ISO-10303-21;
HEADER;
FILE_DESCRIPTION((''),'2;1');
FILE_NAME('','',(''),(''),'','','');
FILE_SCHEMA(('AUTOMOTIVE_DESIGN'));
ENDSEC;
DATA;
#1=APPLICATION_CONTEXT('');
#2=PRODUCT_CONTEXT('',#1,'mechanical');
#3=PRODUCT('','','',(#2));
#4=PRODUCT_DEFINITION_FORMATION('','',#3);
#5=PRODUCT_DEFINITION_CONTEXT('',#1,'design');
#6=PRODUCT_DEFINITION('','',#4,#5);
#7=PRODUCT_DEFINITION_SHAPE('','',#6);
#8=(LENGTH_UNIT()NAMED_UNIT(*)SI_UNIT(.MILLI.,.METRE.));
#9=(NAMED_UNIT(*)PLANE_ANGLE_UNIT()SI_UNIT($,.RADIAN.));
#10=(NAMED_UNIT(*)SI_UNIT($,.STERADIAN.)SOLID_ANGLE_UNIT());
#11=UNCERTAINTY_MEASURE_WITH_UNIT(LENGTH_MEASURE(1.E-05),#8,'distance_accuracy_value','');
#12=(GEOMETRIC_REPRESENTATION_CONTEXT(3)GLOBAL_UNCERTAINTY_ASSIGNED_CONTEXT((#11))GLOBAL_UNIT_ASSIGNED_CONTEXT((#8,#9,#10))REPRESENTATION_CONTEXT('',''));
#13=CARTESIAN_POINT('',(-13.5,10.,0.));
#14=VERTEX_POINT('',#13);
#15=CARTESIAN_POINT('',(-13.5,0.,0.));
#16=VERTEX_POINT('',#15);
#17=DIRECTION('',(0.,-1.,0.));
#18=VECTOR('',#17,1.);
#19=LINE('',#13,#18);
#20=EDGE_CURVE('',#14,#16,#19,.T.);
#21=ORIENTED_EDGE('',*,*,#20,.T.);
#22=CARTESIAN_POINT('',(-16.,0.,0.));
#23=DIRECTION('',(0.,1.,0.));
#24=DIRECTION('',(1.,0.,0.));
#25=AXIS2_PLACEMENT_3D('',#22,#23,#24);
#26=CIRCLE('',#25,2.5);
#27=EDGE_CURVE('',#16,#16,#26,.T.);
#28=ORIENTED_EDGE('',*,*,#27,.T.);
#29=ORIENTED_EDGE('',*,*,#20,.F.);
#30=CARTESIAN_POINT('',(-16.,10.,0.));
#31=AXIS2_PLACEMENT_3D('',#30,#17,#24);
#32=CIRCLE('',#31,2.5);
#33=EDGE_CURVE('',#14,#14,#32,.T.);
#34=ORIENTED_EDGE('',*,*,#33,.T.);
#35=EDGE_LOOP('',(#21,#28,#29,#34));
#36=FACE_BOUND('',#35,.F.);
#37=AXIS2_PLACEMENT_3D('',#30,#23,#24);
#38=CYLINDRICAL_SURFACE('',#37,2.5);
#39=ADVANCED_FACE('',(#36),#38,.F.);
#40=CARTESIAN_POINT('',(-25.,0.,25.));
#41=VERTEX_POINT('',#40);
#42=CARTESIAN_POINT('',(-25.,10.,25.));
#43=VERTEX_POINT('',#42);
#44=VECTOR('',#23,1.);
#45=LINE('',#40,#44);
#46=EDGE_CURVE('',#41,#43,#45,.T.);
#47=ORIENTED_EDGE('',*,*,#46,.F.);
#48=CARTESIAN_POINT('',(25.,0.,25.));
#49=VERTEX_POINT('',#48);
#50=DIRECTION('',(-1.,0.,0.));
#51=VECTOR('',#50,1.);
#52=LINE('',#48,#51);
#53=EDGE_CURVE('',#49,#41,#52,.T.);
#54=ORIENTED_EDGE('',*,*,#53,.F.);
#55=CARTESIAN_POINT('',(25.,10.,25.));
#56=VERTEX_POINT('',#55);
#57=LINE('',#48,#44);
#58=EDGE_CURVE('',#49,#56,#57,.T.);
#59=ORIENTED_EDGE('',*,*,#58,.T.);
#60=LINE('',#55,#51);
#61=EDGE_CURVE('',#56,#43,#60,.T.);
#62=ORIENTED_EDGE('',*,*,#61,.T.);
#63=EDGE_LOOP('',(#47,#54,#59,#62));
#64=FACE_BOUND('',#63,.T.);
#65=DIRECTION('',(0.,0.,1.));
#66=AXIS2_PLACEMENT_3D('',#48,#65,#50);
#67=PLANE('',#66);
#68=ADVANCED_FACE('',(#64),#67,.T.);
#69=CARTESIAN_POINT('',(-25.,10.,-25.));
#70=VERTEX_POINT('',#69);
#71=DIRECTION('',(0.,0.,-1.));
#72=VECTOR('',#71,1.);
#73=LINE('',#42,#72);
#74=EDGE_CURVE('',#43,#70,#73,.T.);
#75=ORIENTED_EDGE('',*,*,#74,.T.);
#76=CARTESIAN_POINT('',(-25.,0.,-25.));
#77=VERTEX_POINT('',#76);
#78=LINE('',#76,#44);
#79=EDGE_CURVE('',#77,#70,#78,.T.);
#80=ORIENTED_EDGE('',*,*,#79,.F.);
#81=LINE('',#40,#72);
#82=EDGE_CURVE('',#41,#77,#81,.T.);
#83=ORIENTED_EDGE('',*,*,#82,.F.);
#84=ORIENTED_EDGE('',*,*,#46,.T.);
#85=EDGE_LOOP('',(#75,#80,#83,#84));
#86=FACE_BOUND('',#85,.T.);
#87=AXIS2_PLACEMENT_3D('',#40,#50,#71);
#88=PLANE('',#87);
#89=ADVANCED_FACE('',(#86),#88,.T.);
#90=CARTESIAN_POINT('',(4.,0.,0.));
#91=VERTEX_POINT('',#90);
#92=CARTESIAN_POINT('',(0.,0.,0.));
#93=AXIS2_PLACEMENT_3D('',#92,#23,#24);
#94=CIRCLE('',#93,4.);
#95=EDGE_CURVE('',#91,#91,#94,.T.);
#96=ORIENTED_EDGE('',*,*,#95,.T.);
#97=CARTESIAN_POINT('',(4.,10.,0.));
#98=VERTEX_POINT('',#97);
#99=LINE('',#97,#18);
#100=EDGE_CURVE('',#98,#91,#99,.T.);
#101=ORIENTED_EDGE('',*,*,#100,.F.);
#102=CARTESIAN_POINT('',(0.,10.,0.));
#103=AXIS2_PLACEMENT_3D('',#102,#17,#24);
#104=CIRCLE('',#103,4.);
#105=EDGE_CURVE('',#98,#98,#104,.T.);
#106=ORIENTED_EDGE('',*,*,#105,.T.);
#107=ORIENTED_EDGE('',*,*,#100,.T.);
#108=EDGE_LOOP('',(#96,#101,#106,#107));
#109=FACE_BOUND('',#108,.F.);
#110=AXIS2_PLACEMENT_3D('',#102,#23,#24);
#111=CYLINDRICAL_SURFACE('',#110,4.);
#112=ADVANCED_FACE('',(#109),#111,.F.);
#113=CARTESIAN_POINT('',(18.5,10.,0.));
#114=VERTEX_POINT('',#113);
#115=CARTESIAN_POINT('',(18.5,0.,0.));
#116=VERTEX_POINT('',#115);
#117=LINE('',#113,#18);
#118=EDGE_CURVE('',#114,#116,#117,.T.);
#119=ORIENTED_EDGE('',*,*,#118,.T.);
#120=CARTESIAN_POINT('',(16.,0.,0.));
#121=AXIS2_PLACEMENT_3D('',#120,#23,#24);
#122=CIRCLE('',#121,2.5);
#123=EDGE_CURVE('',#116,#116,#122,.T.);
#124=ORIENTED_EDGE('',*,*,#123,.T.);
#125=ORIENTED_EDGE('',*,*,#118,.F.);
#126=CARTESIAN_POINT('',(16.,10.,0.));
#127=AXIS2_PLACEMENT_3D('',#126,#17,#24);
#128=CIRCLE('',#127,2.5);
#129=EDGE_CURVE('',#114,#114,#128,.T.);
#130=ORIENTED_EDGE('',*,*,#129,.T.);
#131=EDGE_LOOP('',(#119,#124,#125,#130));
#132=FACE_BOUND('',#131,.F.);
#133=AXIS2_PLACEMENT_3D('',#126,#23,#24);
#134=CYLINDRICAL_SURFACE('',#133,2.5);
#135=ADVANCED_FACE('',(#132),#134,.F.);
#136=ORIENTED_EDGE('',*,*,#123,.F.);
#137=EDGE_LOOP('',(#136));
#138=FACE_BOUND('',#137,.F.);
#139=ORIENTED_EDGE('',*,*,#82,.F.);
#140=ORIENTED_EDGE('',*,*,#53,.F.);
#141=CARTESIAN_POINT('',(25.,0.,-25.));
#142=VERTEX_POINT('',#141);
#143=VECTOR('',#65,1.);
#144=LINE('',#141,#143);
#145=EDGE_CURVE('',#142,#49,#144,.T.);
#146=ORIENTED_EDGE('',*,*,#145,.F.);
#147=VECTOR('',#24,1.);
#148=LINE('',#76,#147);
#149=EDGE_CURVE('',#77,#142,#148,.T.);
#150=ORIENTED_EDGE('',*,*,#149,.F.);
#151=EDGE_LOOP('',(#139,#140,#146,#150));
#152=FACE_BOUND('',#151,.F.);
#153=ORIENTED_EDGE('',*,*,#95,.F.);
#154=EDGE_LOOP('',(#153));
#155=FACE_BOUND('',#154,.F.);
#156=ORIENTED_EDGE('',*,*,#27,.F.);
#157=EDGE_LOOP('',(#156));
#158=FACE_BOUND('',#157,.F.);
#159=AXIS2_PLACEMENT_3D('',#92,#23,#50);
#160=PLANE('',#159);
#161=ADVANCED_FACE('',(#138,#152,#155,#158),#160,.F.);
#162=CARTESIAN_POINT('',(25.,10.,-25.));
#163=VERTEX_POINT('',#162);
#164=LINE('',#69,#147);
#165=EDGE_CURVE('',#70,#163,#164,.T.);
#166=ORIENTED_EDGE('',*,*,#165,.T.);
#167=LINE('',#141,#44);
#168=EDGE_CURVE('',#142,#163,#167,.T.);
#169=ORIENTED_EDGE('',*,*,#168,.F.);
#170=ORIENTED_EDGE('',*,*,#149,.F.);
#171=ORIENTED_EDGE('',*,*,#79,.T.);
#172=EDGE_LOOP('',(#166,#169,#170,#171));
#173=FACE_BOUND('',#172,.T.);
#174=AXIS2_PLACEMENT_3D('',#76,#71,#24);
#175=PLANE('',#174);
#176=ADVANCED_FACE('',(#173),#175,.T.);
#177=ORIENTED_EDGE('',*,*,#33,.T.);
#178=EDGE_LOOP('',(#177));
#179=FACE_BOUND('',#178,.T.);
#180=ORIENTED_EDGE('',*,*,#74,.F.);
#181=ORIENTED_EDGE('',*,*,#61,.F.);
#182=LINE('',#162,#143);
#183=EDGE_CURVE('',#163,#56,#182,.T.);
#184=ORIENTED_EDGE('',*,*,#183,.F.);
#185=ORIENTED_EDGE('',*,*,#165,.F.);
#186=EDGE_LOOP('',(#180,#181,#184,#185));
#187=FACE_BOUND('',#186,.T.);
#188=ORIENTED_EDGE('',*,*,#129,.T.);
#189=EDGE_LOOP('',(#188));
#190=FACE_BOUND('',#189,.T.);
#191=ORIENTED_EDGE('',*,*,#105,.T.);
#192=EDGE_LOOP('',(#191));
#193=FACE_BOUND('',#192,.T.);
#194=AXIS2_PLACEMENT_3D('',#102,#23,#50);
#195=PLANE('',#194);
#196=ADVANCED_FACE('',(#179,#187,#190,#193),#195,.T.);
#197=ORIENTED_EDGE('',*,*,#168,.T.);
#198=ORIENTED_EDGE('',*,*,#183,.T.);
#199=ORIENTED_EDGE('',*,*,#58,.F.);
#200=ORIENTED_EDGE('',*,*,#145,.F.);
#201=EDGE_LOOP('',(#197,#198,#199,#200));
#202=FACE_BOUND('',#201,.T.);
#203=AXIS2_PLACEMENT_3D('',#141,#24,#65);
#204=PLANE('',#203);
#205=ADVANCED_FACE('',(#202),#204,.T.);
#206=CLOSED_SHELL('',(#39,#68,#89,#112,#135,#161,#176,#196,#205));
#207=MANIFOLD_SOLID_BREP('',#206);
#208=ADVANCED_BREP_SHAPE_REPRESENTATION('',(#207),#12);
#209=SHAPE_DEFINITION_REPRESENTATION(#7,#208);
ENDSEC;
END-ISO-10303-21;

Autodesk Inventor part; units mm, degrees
ref_plane "YZ Plane" through (0, 0, 0) normal (1, 0, 0) x (0, 1, 0)
ref_plane "XZ Plane" through (0, 0, 0) normal (0, 1, 0) x (-1, 0, 0)
ref_plane "XY Plane" through (0, 0, 0) normal (0, 0, 1) x (1, 0, 0)
sketch "Sketch4" plane through (0, 0, 0) normal (0, 1, 0) x (-1, 0, 0)
  line L0 (25, -25) -> (-25, -25)
  line L1 (-25, -25) -> (-25, 25)
  line L2 (-25, 25) -> (25, 25)
  line L3 (25, 25) -> (25, -25)
  line L4 (25, -25) -> (-25, 25) construction
  line L5 (-25, -25) -> (25, 25) construction
  point P0 (0, 0)
  dimension "d18" = 50
  dimension "d19" = 50
extrude "Extrusion4" add sketch "Sketch4" along normal blind 10
sketch "Sketch5" plane through (0, 10, 0) normal (0, 1, 0) x (1, 0, 0)
  circle A0 centre (0, 0) radius 4
  circle A1 centre (-16, 0) radius 2.5
  circle A2 centre (16, 0) radius 2.5
  line L0 (16, -15) -> (-16, -15)
  line L1 (-16, -15) -> (-16, 15)
  line L2 (-16, 15) -> (16, 15)
  line L3 (16, 15) -> (16, -15)
  line L4 (16, -15) -> (-16, 15) construction
  line L5 (-16, -15) -> (16, 15) construction
  line L6 (-16, 0) -> (0, 0)
  dimension "d22" = 8
  dimension "d23" = 5
  dimension "d27" = 360
  dimension "d31" = 32
  dimension "d32" = 30
extrude "shf8 holes" cut sketch "Sketch5" against normal up to next contours A0 | A1 L1 L6 | L6 L1 A1 | L1 A1 | L3 A2 | A2 L3
equation "\"d22\" = shaft_hole"
equation "\"d23\" = mount_hole"
equation "\"d31\" = 2 * hole_spacing"
equation "\"hole_spacing\" = 16"
equation "\"shaft_hole\" = 8"
equation "\"mount_hole\" = 5"
properties part number "shf8gen"
